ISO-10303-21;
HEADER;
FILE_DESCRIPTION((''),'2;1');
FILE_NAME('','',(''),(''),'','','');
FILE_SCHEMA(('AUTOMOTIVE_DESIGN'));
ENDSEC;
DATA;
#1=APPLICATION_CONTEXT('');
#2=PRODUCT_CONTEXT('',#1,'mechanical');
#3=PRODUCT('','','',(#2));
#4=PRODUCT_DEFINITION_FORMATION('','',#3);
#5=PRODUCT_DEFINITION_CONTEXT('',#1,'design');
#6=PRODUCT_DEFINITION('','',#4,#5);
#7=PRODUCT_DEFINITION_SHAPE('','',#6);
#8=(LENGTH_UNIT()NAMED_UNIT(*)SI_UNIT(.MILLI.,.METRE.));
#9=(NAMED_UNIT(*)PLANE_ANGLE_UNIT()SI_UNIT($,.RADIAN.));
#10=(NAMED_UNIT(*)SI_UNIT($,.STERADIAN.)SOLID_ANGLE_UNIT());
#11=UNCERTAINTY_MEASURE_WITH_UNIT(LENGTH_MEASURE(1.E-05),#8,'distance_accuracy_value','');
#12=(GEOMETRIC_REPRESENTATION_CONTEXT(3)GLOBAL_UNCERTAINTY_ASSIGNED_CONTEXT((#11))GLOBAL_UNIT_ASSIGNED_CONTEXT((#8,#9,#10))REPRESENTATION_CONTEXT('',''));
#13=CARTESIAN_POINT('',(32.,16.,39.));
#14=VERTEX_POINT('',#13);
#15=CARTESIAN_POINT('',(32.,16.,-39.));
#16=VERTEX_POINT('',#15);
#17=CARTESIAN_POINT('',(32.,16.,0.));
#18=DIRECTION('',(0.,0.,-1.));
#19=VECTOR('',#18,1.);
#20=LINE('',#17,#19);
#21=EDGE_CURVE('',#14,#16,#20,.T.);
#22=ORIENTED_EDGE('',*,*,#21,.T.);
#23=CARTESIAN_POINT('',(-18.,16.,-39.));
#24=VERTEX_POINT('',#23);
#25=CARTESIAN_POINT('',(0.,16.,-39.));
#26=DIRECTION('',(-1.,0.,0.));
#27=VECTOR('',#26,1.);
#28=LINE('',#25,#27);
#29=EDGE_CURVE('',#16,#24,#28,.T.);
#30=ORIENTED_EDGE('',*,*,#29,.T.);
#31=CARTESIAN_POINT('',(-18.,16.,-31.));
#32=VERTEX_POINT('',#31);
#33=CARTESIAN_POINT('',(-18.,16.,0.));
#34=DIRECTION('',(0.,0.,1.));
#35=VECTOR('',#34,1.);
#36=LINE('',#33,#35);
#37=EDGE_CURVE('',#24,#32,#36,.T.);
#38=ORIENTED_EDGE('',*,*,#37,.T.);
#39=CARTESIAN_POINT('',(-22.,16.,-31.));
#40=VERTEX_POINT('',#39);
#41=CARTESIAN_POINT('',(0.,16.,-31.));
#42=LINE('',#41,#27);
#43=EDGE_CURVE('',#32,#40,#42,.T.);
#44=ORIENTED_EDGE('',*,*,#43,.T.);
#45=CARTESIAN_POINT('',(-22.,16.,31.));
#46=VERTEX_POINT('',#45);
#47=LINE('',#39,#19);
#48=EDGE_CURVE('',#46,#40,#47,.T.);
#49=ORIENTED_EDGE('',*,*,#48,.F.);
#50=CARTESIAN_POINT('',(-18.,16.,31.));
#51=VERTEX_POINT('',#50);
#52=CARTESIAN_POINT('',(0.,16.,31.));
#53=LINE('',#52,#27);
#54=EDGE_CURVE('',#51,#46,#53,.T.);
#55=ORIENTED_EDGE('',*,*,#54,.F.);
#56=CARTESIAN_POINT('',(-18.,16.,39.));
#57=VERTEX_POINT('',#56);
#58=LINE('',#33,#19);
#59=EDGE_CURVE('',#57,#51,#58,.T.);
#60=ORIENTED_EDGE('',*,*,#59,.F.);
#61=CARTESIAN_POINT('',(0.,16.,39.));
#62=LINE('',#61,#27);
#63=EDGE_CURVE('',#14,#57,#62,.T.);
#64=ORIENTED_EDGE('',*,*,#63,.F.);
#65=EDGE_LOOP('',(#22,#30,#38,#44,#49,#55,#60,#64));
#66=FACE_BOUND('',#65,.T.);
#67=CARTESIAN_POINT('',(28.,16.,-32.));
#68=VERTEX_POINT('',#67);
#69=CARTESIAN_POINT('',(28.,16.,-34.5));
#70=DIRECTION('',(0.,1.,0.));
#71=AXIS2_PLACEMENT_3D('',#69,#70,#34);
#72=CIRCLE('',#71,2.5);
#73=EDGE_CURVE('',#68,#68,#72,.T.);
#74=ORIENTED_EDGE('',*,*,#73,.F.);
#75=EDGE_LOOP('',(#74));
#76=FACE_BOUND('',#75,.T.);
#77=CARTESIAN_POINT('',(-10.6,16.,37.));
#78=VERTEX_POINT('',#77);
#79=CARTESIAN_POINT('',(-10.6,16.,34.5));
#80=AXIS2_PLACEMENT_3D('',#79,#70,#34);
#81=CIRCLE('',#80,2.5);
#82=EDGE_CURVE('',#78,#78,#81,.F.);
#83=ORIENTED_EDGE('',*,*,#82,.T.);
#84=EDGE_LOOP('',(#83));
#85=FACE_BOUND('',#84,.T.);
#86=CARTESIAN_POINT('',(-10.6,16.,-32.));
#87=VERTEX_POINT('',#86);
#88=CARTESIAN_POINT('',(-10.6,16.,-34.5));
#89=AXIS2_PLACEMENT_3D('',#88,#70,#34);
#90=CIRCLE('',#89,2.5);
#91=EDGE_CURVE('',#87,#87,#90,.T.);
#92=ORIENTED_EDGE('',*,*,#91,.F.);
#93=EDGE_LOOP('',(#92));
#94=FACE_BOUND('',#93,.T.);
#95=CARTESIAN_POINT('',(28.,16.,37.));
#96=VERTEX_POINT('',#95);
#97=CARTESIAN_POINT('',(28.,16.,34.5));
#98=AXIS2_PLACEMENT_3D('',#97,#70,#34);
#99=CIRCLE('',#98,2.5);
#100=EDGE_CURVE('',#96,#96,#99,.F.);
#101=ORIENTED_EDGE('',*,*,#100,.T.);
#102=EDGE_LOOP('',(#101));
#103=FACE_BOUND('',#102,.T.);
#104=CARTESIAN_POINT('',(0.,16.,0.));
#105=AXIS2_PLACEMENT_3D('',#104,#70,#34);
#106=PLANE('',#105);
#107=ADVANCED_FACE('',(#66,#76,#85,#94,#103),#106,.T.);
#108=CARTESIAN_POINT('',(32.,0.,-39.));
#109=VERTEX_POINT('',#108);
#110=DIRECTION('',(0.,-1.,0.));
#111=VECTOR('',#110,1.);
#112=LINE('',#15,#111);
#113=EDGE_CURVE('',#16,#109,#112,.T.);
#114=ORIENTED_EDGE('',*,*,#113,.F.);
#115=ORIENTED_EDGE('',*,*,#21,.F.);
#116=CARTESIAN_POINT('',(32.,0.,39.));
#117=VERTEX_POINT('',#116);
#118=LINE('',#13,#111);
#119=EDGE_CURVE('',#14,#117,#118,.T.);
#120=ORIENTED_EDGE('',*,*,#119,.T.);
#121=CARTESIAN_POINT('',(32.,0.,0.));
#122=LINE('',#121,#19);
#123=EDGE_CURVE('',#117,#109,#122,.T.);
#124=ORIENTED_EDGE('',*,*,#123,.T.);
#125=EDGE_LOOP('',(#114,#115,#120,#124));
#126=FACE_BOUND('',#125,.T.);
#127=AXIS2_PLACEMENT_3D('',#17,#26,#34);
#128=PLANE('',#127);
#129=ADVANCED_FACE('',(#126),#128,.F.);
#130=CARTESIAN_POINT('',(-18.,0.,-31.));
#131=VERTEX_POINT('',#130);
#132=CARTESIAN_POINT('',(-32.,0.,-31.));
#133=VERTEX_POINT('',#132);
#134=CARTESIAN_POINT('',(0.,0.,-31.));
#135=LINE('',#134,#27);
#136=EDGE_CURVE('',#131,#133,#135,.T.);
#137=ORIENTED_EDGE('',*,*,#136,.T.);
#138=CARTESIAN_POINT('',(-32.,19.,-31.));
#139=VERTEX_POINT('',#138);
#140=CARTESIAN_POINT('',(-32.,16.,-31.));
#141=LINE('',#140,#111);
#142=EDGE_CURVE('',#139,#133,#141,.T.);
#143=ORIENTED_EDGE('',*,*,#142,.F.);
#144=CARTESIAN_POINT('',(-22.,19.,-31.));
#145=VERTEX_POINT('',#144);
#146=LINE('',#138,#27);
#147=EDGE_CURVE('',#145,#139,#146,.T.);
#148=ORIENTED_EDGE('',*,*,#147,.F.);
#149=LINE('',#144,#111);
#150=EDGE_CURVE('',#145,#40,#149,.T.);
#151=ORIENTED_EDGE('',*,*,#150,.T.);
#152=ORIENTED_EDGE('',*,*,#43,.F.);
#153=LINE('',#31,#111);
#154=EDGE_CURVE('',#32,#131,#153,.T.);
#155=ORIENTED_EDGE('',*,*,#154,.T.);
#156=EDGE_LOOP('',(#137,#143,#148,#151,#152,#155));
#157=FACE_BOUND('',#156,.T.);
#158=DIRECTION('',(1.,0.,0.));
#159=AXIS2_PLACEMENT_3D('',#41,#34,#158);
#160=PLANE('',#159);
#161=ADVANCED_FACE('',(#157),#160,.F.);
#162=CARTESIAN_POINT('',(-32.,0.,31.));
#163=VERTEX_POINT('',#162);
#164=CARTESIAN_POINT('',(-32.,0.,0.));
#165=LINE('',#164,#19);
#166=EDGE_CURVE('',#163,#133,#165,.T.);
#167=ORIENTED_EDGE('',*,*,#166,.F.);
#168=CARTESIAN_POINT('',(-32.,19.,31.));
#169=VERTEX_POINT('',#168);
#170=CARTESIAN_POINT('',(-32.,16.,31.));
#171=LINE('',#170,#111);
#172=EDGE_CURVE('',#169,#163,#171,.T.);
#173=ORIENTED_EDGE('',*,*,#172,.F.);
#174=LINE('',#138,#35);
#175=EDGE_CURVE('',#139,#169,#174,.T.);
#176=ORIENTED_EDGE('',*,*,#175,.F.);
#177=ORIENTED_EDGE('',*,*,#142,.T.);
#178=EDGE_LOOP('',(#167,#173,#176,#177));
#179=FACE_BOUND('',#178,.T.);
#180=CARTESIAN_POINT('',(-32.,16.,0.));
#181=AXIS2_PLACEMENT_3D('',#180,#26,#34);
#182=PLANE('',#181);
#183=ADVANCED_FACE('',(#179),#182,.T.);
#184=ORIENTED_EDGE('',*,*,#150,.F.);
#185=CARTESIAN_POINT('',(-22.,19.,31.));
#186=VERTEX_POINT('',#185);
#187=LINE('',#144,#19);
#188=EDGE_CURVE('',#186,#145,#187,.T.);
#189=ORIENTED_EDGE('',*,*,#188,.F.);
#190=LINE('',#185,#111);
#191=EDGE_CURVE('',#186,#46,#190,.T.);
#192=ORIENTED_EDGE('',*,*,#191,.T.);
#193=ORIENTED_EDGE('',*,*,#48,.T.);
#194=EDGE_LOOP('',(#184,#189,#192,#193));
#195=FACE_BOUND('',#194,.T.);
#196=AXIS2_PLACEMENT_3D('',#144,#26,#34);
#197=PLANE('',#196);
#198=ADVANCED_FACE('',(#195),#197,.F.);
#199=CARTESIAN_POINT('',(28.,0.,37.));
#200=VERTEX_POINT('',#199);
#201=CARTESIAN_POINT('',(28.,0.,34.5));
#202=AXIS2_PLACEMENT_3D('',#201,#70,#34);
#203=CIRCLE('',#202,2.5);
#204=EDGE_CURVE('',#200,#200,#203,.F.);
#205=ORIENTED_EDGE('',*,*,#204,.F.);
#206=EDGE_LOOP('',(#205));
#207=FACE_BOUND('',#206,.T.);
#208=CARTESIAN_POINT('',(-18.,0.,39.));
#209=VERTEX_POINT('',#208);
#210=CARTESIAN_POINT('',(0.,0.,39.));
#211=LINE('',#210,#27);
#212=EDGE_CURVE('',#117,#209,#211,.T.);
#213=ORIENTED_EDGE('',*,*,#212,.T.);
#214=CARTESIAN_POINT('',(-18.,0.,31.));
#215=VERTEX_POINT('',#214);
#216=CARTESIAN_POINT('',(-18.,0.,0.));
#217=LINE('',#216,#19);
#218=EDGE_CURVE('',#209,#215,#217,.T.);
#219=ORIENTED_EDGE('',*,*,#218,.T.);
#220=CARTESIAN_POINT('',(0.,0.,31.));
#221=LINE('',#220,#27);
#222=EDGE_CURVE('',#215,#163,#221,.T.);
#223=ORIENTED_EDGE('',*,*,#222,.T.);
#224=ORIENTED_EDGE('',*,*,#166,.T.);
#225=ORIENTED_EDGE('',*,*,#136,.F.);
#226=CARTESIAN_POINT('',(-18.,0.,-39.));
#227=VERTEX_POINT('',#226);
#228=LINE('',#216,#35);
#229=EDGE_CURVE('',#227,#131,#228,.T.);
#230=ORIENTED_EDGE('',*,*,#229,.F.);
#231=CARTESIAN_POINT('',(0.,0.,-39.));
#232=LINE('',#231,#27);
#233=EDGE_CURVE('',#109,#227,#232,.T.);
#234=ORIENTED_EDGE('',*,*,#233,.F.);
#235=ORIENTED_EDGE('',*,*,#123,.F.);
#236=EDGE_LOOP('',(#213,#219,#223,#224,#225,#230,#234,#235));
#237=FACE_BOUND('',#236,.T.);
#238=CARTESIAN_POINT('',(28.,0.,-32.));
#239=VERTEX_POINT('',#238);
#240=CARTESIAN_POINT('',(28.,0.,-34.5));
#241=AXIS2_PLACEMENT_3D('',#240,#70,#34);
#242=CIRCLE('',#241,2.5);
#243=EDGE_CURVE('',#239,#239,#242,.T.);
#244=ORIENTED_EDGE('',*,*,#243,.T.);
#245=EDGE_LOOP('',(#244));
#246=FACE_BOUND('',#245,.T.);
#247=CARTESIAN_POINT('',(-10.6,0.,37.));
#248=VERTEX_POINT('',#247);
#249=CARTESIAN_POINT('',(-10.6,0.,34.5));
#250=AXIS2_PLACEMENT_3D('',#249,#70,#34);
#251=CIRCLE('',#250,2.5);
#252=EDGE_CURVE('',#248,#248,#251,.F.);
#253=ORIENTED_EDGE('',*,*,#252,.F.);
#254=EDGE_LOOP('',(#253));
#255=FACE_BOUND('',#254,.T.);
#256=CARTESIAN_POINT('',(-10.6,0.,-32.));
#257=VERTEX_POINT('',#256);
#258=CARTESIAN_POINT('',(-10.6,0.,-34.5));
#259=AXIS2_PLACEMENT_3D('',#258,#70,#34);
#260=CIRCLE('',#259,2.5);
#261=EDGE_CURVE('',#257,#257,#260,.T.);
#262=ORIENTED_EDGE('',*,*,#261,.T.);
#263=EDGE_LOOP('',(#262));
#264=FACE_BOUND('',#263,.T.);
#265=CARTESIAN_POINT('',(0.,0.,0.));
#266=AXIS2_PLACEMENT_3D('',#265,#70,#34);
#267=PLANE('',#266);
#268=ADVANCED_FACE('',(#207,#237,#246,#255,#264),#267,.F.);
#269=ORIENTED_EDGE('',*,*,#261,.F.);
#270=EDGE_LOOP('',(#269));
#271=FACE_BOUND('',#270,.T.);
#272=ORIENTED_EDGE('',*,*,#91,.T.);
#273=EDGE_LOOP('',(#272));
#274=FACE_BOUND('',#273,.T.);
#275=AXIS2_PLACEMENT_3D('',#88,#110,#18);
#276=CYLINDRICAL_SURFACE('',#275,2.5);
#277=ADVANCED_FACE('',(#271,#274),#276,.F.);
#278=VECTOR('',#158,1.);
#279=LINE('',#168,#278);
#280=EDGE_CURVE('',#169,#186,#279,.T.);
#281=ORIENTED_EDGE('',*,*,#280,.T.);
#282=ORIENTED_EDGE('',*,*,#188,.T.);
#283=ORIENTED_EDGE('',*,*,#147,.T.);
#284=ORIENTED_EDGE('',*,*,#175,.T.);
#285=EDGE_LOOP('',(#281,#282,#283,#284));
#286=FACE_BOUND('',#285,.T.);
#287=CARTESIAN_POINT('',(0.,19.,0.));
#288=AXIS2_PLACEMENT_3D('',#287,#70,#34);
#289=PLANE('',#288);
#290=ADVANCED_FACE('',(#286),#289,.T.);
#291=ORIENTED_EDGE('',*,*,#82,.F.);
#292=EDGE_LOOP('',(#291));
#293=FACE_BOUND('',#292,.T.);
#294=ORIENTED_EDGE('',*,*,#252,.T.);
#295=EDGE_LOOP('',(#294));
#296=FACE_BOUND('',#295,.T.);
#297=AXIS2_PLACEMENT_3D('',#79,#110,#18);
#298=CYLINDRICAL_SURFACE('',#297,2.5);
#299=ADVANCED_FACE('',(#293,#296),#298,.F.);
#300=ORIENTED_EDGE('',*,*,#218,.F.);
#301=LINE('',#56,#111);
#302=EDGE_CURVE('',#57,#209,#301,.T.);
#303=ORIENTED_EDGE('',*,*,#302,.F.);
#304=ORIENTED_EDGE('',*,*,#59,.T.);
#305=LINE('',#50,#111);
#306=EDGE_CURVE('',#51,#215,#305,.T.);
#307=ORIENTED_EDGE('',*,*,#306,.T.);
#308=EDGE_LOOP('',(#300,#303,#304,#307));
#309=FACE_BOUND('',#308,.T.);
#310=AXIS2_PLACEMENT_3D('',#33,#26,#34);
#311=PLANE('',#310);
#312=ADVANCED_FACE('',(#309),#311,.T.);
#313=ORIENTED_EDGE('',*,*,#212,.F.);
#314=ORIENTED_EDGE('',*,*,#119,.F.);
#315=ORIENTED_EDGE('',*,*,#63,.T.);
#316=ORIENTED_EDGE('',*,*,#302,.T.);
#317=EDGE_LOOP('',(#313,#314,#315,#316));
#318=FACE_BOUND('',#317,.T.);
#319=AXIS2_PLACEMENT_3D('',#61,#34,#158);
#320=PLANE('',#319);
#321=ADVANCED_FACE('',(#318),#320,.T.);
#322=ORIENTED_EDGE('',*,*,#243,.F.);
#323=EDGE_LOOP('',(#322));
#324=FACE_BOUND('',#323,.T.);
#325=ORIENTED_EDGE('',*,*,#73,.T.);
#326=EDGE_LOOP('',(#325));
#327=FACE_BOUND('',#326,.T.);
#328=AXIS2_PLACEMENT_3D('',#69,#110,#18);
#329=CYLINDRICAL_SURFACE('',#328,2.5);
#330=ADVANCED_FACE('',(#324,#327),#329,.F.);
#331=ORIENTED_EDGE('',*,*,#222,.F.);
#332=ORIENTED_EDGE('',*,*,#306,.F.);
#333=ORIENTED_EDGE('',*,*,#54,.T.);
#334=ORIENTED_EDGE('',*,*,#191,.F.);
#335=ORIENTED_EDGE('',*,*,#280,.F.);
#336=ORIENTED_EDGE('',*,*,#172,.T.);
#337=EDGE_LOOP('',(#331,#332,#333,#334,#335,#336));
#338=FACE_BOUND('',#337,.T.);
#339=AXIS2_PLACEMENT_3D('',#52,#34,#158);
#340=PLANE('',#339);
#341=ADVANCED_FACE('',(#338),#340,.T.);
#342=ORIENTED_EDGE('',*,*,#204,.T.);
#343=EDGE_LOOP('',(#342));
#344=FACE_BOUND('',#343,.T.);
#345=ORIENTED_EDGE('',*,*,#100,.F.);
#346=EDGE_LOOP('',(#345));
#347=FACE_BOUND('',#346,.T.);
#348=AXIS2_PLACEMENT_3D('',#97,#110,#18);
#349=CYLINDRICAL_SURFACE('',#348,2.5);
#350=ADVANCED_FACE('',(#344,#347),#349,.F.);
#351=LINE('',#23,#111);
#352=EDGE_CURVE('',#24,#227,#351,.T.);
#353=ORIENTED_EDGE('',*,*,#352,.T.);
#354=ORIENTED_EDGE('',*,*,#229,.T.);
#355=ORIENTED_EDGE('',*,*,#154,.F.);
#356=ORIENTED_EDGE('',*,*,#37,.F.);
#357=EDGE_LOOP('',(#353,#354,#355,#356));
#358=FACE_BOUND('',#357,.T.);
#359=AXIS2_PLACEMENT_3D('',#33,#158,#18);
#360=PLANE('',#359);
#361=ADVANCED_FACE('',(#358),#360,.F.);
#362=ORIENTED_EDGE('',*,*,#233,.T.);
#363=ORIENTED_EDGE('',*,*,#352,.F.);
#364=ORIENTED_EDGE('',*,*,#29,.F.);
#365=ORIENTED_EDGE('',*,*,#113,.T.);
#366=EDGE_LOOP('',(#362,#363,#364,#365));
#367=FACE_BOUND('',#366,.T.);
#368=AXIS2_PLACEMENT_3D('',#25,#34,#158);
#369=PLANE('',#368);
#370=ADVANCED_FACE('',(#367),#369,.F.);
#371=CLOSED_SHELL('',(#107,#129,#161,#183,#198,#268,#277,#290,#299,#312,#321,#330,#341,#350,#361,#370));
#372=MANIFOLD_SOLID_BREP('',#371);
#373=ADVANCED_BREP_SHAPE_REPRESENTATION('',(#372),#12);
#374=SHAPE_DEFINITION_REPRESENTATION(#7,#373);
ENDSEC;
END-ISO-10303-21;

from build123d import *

# Parameters (mm, degrees)
SKETCH_2_R      = 2.5
EXTRUDE_2_DEPTH = 16
SKETCH_5_W      = 10
SKETCH_5_H      = 62
EXTRUDE_3_DEPTH = 3


with BuildPart() as part:
    # 草图2 → 凸台-拉伸2 (new body)
    with BuildSketch(Plane(origin=(0, 0, 0), x_dir=(1, 0, 0), z_dir=(0, 1, 0))):
        Polygon((-18, 39), (-18, 31), (-32, 31), (-32, -31), (-18, -31), (-18, -39), (32, -39), (32, 39), align=None)
        with Locations(Location((28, 34.5, 0), (0, 0, 270))):
            Circle(SKETCH_2_R, mode=Mode.SUBTRACT)
        with Locations(Location((-10.6, 34.5, 0), (0, 0, 270))):
            Circle(SKETCH_2_R, mode=Mode.SUBTRACT)
        with Locations(Location((28, -34.5, 0), (0, 0, 270))):
            Circle(SKETCH_2_R, mode=Mode.SUBTRACT)
        with Locations(Location((-10.6, -34.5, 0), (0, 0, 270))):
            Circle(SKETCH_2_R, mode=Mode.SUBTRACT)
    extrude(amount=EXTRUDE_2_DEPTH)

    # 草图5 → 凸台-拉伸3 (add)
    with BuildSketch(Plane(origin=(0, 16, 0), x_dir=(1, 0, 0), z_dir=(0, 1, 0))):
        with Locations((-27, 0)):
            Rectangle(SKETCH_5_W, SKETCH_5_H)
    extrude(amount=EXTRUDE_3_DEPTH)


solid = part.part
